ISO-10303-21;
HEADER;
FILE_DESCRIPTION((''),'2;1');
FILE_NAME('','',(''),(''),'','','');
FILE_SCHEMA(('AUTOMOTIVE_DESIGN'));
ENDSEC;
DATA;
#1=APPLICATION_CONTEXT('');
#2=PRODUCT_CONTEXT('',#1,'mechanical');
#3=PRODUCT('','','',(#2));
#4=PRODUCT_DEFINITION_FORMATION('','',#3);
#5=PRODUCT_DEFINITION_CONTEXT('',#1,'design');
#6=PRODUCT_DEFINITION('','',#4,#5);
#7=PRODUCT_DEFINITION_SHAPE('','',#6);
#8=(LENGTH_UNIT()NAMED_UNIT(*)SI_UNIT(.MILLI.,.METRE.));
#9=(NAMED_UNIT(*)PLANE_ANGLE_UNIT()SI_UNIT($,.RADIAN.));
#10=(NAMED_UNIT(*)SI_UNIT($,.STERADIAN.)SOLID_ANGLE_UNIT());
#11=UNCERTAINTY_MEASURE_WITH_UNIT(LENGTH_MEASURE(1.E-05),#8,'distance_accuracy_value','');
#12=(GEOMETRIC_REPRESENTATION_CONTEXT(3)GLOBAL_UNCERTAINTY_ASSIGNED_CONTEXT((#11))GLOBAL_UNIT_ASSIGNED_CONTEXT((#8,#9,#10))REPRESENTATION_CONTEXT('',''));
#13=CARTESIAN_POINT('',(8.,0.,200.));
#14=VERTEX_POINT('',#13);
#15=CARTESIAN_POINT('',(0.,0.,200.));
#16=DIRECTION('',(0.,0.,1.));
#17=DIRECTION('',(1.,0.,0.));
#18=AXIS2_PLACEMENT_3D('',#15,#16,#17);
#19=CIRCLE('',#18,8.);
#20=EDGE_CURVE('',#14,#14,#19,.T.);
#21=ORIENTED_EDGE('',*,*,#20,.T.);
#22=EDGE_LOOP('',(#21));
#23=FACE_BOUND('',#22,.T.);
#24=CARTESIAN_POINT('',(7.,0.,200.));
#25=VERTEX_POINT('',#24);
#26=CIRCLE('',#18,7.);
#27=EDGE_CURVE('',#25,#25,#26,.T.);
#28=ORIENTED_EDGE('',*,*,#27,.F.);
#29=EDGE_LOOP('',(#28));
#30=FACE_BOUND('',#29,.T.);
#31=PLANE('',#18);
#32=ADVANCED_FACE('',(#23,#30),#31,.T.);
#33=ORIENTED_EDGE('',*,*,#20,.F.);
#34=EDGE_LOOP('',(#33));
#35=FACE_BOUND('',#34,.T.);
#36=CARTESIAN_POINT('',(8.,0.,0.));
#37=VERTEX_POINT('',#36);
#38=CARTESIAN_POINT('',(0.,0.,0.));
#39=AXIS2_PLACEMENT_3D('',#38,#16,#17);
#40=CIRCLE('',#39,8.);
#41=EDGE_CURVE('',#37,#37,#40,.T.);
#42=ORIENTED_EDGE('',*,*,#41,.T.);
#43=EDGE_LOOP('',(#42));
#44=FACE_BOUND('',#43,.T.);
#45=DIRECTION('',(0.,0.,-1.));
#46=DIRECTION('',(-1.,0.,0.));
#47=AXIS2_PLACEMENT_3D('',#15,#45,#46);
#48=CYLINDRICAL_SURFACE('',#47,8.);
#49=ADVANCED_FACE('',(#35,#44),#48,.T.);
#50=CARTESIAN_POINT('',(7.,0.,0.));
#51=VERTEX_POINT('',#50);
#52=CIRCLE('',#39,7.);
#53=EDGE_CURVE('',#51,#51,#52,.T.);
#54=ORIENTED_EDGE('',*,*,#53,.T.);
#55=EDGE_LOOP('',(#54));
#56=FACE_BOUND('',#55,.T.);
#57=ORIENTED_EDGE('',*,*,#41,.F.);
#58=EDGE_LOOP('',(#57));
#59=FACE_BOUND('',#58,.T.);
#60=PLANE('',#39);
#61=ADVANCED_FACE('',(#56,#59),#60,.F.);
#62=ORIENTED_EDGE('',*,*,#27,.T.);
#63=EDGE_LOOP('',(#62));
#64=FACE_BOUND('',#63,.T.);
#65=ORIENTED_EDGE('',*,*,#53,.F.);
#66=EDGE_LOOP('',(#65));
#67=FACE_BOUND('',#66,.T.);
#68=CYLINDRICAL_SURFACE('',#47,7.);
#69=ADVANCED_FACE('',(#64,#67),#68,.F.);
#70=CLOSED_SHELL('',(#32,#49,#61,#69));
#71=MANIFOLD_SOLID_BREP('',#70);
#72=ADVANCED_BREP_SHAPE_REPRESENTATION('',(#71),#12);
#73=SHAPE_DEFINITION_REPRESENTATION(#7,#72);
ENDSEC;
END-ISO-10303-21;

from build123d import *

# Parameters (mm, degrees)
IZIM1_R                     = 8
IZIM1_R_2                   = 7
Y_KSEKLIK_EKSTR_ZYON1_DEPTH = 200


with BuildPart() as part:
    # Çizim1 → Yükseklik-Ekstrüzyon1 (new body)
    with BuildSketch(Plane.XY):
        Circle(IZIM1_R)
        Circle(IZIM1_R_2, mode=Mode.SUBTRACT)
    extrude(amount=Y_KSEKLIK_EKSTR_ZYON1_DEPTH)


solid = part.part
